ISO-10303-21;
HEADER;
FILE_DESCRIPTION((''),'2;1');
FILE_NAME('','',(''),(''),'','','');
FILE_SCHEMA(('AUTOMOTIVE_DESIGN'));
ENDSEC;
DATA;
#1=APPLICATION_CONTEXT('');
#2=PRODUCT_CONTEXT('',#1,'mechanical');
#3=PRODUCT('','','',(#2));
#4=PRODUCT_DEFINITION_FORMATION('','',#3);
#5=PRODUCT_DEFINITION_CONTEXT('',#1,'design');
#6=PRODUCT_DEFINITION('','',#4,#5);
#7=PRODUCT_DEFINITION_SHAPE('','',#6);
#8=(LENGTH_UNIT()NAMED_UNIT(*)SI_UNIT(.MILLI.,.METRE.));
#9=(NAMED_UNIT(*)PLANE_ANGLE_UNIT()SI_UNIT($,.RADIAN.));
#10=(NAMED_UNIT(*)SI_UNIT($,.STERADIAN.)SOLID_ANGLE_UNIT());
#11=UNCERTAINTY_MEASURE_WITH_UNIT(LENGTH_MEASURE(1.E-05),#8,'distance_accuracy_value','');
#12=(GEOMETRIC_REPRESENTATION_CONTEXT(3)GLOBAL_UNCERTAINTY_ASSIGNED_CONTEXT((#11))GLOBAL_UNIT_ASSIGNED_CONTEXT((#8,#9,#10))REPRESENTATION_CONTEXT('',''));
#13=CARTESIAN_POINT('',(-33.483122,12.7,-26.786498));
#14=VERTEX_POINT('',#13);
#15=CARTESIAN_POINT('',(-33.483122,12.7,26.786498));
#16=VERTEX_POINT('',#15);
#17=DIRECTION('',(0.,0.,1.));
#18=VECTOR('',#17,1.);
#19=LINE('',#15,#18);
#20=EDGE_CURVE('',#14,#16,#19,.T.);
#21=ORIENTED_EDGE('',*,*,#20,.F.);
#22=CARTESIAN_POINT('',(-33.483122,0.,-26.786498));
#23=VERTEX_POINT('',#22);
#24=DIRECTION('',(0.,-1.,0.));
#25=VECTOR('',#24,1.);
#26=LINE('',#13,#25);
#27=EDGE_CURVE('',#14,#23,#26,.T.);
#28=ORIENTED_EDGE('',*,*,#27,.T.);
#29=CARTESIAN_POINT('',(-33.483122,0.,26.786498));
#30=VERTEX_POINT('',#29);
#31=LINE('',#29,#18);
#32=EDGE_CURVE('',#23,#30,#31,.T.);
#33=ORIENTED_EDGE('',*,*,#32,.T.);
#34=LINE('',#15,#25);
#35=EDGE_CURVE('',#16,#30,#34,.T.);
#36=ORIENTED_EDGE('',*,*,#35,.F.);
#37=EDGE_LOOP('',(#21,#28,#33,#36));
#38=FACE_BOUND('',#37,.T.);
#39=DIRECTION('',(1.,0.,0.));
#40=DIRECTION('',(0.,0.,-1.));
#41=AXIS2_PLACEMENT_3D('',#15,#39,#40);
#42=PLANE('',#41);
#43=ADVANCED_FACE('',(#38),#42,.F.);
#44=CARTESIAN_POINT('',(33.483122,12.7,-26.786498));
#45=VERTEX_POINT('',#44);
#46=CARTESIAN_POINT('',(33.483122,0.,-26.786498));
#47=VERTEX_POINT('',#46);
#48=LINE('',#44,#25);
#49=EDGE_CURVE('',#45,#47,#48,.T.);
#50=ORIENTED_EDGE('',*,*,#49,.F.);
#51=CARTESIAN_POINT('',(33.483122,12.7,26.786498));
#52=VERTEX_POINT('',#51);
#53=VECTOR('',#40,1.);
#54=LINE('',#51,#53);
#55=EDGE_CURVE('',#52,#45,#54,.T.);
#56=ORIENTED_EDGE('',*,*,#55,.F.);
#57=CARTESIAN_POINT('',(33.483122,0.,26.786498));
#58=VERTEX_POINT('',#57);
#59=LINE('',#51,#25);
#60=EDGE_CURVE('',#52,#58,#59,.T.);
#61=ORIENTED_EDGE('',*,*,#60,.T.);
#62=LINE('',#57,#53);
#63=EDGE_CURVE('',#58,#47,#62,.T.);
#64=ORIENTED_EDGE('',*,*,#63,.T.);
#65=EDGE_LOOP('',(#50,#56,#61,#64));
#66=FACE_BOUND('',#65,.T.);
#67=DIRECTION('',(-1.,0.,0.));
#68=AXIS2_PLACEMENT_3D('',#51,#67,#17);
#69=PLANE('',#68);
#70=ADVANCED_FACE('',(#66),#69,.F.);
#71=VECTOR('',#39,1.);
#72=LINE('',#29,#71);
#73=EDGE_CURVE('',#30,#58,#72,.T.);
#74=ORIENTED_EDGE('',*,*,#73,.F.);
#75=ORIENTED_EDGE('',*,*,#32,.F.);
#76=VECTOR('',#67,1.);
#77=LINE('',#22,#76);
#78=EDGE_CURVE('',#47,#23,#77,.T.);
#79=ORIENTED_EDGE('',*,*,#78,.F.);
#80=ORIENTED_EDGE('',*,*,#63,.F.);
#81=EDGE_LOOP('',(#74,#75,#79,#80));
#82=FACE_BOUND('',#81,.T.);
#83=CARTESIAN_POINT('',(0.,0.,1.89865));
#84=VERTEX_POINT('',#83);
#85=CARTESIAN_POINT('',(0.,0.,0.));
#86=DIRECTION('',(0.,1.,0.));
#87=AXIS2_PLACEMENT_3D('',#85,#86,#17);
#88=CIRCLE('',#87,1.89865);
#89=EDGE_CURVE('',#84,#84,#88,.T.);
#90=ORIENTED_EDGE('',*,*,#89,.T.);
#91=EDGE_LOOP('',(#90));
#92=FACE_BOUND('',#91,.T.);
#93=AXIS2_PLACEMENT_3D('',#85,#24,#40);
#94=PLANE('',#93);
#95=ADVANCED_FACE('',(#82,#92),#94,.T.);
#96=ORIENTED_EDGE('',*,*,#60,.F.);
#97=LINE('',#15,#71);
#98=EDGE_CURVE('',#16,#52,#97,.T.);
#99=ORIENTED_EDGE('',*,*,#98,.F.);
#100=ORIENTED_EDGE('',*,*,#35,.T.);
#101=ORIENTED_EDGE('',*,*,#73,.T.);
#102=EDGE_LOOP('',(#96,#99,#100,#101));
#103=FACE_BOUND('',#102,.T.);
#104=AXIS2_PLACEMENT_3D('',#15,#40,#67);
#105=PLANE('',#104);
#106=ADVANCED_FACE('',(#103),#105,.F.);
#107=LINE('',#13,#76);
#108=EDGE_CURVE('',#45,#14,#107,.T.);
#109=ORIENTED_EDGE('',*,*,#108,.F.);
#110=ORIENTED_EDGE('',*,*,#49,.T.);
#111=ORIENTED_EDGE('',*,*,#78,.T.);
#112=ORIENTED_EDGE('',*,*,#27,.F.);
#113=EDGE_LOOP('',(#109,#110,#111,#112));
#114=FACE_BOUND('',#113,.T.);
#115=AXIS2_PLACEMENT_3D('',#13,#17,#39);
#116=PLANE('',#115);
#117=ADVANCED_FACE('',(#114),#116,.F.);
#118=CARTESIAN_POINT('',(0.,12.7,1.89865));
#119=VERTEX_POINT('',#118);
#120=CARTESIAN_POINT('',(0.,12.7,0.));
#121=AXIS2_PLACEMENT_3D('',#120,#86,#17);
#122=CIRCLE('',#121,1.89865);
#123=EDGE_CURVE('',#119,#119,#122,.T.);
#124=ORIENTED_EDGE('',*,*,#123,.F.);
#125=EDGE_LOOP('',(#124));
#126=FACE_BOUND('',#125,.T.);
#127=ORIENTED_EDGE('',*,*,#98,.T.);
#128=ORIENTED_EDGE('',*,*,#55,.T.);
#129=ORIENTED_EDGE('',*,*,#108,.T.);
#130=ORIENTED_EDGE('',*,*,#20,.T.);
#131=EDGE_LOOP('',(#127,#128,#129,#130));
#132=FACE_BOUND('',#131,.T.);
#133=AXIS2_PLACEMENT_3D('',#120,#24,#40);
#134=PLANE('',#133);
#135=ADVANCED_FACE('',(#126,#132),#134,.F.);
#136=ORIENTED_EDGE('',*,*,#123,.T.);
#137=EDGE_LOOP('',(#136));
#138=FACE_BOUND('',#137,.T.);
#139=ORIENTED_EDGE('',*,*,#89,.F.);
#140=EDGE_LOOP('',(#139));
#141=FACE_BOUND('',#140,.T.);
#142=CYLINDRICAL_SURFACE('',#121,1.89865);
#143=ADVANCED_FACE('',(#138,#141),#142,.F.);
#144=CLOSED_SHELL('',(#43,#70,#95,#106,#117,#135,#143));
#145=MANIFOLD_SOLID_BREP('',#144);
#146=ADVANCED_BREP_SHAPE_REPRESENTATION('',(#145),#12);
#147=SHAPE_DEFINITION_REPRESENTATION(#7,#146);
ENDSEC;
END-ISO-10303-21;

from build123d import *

# Parameters (mm, degrees)
SKETCH1_W             = 66.966244806
SKETCH1_H             = 53.572995846
BOSS_EXTRUDE1_DEPTH   = 12.7
F_6_CLEARANCE_HOLE1_D = 3.7973


with BuildPart() as part:
    # Sketch1 → Boss-Extrude1 (new body)
    with BuildSketch(Plane(origin=(0, 0, 0), x_dir=(1, 0, 0), z_dir=(0, 1, 0))):
        Rectangle(SKETCH1_W, SKETCH1_H)
    extrude(amount=BOSS_EXTRUDE1_DEPTH)

    # #6 Clearance Hole1 (through all)
    with Locations(Plane(origin=(0, 12.7, 0), x_dir=(1, 0, 0), z_dir=(0, 1, 0))):
        with Locations((0, 0)):
            Hole(F_6_CLEARANCE_HOLE1_D / 2)


solid = part.part
